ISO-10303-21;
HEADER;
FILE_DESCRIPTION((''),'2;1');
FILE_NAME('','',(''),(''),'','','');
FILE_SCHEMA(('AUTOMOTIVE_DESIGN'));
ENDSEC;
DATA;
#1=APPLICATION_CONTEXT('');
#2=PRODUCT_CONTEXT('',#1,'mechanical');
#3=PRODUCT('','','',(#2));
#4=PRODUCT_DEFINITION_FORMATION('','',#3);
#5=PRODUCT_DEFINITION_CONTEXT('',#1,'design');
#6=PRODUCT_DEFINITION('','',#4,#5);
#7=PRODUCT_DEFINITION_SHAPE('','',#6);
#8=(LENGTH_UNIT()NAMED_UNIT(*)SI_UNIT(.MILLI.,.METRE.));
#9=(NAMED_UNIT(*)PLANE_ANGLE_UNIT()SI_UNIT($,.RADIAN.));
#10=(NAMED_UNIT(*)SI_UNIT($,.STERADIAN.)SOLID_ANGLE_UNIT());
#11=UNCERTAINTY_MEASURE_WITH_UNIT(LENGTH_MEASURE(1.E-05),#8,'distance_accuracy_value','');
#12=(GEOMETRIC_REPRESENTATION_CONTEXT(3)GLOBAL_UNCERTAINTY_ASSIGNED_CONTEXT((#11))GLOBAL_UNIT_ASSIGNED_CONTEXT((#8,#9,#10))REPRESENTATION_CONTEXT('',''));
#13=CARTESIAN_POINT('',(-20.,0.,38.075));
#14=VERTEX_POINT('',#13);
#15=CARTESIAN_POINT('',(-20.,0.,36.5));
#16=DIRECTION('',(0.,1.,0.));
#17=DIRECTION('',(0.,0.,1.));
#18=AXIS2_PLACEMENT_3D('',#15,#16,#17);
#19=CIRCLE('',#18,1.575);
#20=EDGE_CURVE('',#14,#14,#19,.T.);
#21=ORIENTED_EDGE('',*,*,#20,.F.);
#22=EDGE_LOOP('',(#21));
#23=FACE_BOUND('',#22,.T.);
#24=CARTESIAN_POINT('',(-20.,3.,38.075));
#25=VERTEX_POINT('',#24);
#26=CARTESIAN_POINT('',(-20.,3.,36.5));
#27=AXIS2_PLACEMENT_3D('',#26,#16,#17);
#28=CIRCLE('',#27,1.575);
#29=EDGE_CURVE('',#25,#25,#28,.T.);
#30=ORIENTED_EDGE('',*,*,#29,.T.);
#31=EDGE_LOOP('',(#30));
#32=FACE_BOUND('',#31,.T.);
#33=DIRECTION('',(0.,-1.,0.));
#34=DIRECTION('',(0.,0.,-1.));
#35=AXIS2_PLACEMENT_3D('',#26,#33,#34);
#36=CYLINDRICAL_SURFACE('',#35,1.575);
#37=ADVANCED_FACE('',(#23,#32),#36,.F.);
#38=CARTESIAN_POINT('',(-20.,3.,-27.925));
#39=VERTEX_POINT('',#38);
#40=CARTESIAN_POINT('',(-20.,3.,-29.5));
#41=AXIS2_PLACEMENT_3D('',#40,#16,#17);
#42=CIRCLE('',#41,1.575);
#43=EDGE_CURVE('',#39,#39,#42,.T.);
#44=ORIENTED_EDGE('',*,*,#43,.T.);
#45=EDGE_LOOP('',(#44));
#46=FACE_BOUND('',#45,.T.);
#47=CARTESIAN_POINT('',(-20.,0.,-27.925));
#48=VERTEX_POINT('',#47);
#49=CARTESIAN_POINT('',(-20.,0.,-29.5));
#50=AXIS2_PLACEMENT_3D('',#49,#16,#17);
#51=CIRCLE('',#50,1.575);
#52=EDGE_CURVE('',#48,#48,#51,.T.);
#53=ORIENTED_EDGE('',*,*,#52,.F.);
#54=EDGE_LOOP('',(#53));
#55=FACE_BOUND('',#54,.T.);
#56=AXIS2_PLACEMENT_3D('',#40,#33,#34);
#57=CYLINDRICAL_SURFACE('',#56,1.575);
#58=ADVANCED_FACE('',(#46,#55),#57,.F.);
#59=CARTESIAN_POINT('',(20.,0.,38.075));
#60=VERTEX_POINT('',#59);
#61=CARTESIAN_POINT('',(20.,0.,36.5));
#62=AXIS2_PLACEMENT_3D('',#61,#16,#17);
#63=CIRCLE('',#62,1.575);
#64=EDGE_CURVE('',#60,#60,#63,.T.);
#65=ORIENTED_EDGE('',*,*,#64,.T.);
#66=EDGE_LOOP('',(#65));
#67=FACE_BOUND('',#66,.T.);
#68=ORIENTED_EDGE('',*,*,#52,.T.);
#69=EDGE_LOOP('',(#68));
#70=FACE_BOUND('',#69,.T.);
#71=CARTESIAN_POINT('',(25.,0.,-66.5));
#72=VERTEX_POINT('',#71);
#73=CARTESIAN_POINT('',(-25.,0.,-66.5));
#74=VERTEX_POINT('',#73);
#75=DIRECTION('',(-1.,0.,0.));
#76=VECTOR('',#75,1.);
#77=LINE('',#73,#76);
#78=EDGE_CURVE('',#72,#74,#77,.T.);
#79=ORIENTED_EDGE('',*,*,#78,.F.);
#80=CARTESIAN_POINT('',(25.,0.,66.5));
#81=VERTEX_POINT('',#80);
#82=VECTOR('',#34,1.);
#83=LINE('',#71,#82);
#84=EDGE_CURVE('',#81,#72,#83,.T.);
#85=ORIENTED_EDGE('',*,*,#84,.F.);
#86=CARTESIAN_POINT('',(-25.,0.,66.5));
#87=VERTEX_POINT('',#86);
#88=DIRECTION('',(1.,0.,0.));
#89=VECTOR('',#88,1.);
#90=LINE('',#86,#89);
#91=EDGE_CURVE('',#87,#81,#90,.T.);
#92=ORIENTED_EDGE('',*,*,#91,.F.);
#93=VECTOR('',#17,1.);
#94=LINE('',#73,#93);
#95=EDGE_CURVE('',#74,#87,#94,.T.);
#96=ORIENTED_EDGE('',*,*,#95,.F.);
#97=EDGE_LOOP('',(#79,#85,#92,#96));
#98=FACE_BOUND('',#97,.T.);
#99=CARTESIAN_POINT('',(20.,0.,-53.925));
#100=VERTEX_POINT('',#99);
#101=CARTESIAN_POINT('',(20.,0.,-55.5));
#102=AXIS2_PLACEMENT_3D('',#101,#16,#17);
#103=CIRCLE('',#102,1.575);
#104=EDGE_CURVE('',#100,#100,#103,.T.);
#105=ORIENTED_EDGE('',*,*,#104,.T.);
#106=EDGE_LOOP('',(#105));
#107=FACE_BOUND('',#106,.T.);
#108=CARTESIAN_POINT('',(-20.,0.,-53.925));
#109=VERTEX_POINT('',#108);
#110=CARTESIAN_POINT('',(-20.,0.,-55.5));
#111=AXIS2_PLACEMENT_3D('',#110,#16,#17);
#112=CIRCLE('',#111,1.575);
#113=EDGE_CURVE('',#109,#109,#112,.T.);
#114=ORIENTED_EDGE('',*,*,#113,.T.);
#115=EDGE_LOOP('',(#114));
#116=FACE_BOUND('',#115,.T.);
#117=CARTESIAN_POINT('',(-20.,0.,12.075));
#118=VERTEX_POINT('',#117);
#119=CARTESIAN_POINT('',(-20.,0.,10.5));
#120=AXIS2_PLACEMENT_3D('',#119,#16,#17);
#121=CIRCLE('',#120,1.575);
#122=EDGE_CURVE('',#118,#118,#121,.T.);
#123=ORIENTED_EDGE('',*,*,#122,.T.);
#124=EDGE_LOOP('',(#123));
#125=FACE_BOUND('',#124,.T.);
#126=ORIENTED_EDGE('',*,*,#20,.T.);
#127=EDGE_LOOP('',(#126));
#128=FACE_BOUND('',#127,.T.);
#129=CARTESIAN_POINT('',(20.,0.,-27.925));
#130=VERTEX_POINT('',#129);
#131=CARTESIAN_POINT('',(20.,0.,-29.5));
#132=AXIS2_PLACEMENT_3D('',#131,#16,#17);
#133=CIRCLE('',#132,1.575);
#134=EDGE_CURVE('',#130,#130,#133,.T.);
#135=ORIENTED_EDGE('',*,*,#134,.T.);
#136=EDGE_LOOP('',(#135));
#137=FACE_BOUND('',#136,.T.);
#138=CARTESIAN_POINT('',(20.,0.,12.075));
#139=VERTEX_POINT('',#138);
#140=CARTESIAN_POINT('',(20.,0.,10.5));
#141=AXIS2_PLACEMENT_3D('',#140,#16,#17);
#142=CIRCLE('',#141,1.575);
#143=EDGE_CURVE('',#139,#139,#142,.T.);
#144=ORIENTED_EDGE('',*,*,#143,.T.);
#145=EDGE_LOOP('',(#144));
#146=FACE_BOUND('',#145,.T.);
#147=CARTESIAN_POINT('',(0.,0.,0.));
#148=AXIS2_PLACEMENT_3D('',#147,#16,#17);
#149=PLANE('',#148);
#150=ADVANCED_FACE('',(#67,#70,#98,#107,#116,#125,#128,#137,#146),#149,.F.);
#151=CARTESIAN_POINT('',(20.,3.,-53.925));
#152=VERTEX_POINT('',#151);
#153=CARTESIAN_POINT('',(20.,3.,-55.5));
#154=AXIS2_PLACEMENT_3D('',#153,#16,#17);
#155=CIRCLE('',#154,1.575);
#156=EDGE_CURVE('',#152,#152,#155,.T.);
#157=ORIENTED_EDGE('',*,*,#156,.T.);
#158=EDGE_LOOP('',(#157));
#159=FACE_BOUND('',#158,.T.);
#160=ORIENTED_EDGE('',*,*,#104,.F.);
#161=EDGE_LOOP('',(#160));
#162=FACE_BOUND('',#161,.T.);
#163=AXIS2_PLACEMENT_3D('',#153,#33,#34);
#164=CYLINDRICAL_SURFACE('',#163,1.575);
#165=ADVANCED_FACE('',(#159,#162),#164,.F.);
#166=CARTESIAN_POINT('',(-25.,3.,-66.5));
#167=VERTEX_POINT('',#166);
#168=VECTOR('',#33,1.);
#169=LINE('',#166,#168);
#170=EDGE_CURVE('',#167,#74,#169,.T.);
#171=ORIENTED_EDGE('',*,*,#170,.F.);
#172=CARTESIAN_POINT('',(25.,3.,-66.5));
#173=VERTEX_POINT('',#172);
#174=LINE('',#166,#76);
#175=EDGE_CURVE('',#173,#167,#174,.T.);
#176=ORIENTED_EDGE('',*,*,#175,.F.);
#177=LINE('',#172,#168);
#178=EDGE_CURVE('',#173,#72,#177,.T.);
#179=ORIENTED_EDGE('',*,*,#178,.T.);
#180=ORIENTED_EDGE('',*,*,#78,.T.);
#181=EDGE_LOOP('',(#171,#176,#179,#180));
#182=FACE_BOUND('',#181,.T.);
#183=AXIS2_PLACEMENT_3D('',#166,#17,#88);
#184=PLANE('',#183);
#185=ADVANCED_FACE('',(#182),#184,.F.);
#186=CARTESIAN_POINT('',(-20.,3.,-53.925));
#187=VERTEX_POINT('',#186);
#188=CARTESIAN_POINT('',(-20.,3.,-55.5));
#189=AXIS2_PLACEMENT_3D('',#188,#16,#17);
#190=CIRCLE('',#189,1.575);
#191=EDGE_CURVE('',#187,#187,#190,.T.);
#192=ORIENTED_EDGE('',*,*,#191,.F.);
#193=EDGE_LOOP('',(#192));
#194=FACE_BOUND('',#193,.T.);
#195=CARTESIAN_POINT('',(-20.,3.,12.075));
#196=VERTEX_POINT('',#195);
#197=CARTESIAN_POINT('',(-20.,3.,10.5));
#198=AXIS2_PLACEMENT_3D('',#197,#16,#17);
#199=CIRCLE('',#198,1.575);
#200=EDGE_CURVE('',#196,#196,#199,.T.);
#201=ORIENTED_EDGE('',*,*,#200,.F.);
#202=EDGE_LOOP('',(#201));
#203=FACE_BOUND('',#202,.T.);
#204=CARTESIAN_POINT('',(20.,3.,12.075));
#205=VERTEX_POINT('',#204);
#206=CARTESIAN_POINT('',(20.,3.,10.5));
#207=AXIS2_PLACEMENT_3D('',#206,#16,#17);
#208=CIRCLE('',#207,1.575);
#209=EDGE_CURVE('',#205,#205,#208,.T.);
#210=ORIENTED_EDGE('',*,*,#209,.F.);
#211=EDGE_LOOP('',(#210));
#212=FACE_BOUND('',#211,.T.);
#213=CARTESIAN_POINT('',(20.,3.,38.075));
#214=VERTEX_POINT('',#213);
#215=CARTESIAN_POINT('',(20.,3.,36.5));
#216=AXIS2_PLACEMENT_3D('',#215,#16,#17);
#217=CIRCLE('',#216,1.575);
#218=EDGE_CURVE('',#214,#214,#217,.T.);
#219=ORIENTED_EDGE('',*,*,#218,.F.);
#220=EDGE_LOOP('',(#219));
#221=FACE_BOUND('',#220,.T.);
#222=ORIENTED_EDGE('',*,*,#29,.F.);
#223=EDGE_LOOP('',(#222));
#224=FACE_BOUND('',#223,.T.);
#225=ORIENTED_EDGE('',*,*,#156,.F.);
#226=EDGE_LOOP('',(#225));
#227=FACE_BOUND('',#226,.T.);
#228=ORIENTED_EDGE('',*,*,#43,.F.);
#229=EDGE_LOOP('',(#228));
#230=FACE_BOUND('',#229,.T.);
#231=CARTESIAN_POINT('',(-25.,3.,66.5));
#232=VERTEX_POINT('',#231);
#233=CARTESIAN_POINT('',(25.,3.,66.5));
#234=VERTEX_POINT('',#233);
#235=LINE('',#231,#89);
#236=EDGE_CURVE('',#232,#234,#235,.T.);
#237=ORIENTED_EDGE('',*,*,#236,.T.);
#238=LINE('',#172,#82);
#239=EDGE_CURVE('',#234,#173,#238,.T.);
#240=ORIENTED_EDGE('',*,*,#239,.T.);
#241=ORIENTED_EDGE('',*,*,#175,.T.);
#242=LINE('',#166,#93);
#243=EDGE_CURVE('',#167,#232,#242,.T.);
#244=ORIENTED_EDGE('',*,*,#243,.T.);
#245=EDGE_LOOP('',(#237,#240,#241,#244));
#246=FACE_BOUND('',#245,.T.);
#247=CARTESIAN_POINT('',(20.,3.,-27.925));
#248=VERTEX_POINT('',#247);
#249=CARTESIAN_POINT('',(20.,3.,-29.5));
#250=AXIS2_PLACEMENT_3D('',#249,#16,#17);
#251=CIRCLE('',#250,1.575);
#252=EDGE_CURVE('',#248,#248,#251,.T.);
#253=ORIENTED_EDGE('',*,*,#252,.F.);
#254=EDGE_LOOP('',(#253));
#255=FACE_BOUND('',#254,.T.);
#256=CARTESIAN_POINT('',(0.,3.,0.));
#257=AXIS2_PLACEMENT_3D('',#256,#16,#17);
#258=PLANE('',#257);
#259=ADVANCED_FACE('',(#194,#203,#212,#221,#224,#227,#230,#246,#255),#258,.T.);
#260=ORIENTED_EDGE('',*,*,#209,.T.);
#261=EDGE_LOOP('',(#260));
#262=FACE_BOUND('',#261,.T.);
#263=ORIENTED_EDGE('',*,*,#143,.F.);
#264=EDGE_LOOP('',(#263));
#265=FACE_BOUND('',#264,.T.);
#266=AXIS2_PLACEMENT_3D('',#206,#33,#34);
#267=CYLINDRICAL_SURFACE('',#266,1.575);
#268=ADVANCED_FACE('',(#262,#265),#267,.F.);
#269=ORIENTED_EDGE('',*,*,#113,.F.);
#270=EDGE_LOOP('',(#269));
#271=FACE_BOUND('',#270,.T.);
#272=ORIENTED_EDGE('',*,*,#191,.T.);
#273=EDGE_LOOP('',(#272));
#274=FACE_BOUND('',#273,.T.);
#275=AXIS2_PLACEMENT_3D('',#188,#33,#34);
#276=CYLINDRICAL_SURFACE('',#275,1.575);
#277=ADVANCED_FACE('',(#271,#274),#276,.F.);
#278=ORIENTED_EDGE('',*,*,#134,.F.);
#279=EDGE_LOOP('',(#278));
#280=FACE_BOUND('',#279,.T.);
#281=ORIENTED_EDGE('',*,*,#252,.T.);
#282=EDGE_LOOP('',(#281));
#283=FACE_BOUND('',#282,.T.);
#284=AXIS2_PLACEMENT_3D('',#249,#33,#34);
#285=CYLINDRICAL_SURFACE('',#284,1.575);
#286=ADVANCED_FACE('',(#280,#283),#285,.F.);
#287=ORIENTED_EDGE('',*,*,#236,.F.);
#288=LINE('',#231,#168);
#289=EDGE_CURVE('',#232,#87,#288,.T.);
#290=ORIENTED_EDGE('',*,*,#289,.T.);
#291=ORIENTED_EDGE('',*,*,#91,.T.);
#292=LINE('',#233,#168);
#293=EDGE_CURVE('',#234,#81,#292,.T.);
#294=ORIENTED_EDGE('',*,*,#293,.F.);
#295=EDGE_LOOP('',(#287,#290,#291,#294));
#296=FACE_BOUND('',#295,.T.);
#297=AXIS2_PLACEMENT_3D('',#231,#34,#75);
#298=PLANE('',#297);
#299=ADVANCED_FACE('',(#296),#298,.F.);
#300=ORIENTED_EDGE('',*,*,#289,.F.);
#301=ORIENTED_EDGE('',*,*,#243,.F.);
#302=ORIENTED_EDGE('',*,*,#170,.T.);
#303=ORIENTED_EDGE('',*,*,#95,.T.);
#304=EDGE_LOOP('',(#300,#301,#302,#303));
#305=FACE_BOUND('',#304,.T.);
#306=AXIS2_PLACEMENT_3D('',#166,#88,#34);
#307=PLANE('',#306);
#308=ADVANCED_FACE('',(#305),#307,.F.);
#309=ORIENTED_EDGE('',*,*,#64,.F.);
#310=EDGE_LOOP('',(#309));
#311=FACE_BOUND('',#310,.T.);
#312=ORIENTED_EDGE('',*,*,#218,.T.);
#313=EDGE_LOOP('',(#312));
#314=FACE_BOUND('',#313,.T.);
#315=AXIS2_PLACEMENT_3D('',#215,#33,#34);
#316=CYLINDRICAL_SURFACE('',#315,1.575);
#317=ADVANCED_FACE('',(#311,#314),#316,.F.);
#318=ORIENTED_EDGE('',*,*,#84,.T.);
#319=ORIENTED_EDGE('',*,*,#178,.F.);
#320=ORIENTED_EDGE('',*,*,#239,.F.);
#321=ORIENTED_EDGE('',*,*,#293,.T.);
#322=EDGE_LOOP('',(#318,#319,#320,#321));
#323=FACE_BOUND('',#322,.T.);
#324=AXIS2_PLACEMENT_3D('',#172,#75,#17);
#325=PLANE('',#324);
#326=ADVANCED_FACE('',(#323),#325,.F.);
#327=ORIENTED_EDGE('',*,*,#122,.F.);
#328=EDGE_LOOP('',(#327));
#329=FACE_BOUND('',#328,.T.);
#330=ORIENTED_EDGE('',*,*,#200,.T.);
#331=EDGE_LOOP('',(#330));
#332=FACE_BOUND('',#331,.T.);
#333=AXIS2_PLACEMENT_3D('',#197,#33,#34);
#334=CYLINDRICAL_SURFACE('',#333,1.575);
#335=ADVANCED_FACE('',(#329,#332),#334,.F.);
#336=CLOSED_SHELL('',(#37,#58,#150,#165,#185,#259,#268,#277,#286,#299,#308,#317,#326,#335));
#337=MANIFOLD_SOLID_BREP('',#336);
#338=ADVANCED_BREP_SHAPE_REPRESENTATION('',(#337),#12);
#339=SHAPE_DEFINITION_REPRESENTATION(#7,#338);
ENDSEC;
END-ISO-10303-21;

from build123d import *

# Parameters (mm, degrees)
SKETCH_1_W      = 50
SKETCH_1_H      = 133
SKETCH_1_R      = 1.575
EXTRUDE_1_DEPTH = 3


with BuildPart() as part:
    # 草图1 → 凸台-拉伸1 (new body)
    with BuildSketch(Plane(origin=(0, 0, 0), x_dir=(1, 0, 0), z_dir=(0, 1, 0))):
        Rectangle(SKETCH_1_W, SKETCH_1_H)
        with Locations(Location((-20, -36.5, 0), (0, 0, 270))):
            Circle(SKETCH_1_R, mode=Mode.SUBTRACT)
        with Locations(Location((-20, -10.5, 0), (0, 0, 270))):
            Circle(SKETCH_1_R, mode=Mode.SUBTRACT)
        with Locations(Location((20, -36.5, 0), (0, 0, 270))):
            Circle(SKETCH_1_R, mode=Mode.SUBTRACT)
        with Locations(Location((20, -10.5, 0), (0, 0, 270))):
            Circle(SKETCH_1_R, mode=Mode.SUBTRACT)
        with Locations(Location((20, 29.5, 0), (0, 0, 270))):
            Circle(SKETCH_1_R, mode=Mode.SUBTRACT)
        with Locations(Location((-20, 29.5, 0), (0, 0, 270))):
            Circle(SKETCH_1_R, mode=Mode.SUBTRACT)
        with Locations(Location((-20, 55.5, 0), (0, 0, 270))):
            Circle(SKETCH_1_R, mode=Mode.SUBTRACT)
        with Locations(Location((20, 55.5, 0), (0, 0, 270))):
            Circle(SKETCH_1_R, mode=Mode.SUBTRACT)
    extrude(amount=EXTRUDE_1_DEPTH)


solid = part.part
